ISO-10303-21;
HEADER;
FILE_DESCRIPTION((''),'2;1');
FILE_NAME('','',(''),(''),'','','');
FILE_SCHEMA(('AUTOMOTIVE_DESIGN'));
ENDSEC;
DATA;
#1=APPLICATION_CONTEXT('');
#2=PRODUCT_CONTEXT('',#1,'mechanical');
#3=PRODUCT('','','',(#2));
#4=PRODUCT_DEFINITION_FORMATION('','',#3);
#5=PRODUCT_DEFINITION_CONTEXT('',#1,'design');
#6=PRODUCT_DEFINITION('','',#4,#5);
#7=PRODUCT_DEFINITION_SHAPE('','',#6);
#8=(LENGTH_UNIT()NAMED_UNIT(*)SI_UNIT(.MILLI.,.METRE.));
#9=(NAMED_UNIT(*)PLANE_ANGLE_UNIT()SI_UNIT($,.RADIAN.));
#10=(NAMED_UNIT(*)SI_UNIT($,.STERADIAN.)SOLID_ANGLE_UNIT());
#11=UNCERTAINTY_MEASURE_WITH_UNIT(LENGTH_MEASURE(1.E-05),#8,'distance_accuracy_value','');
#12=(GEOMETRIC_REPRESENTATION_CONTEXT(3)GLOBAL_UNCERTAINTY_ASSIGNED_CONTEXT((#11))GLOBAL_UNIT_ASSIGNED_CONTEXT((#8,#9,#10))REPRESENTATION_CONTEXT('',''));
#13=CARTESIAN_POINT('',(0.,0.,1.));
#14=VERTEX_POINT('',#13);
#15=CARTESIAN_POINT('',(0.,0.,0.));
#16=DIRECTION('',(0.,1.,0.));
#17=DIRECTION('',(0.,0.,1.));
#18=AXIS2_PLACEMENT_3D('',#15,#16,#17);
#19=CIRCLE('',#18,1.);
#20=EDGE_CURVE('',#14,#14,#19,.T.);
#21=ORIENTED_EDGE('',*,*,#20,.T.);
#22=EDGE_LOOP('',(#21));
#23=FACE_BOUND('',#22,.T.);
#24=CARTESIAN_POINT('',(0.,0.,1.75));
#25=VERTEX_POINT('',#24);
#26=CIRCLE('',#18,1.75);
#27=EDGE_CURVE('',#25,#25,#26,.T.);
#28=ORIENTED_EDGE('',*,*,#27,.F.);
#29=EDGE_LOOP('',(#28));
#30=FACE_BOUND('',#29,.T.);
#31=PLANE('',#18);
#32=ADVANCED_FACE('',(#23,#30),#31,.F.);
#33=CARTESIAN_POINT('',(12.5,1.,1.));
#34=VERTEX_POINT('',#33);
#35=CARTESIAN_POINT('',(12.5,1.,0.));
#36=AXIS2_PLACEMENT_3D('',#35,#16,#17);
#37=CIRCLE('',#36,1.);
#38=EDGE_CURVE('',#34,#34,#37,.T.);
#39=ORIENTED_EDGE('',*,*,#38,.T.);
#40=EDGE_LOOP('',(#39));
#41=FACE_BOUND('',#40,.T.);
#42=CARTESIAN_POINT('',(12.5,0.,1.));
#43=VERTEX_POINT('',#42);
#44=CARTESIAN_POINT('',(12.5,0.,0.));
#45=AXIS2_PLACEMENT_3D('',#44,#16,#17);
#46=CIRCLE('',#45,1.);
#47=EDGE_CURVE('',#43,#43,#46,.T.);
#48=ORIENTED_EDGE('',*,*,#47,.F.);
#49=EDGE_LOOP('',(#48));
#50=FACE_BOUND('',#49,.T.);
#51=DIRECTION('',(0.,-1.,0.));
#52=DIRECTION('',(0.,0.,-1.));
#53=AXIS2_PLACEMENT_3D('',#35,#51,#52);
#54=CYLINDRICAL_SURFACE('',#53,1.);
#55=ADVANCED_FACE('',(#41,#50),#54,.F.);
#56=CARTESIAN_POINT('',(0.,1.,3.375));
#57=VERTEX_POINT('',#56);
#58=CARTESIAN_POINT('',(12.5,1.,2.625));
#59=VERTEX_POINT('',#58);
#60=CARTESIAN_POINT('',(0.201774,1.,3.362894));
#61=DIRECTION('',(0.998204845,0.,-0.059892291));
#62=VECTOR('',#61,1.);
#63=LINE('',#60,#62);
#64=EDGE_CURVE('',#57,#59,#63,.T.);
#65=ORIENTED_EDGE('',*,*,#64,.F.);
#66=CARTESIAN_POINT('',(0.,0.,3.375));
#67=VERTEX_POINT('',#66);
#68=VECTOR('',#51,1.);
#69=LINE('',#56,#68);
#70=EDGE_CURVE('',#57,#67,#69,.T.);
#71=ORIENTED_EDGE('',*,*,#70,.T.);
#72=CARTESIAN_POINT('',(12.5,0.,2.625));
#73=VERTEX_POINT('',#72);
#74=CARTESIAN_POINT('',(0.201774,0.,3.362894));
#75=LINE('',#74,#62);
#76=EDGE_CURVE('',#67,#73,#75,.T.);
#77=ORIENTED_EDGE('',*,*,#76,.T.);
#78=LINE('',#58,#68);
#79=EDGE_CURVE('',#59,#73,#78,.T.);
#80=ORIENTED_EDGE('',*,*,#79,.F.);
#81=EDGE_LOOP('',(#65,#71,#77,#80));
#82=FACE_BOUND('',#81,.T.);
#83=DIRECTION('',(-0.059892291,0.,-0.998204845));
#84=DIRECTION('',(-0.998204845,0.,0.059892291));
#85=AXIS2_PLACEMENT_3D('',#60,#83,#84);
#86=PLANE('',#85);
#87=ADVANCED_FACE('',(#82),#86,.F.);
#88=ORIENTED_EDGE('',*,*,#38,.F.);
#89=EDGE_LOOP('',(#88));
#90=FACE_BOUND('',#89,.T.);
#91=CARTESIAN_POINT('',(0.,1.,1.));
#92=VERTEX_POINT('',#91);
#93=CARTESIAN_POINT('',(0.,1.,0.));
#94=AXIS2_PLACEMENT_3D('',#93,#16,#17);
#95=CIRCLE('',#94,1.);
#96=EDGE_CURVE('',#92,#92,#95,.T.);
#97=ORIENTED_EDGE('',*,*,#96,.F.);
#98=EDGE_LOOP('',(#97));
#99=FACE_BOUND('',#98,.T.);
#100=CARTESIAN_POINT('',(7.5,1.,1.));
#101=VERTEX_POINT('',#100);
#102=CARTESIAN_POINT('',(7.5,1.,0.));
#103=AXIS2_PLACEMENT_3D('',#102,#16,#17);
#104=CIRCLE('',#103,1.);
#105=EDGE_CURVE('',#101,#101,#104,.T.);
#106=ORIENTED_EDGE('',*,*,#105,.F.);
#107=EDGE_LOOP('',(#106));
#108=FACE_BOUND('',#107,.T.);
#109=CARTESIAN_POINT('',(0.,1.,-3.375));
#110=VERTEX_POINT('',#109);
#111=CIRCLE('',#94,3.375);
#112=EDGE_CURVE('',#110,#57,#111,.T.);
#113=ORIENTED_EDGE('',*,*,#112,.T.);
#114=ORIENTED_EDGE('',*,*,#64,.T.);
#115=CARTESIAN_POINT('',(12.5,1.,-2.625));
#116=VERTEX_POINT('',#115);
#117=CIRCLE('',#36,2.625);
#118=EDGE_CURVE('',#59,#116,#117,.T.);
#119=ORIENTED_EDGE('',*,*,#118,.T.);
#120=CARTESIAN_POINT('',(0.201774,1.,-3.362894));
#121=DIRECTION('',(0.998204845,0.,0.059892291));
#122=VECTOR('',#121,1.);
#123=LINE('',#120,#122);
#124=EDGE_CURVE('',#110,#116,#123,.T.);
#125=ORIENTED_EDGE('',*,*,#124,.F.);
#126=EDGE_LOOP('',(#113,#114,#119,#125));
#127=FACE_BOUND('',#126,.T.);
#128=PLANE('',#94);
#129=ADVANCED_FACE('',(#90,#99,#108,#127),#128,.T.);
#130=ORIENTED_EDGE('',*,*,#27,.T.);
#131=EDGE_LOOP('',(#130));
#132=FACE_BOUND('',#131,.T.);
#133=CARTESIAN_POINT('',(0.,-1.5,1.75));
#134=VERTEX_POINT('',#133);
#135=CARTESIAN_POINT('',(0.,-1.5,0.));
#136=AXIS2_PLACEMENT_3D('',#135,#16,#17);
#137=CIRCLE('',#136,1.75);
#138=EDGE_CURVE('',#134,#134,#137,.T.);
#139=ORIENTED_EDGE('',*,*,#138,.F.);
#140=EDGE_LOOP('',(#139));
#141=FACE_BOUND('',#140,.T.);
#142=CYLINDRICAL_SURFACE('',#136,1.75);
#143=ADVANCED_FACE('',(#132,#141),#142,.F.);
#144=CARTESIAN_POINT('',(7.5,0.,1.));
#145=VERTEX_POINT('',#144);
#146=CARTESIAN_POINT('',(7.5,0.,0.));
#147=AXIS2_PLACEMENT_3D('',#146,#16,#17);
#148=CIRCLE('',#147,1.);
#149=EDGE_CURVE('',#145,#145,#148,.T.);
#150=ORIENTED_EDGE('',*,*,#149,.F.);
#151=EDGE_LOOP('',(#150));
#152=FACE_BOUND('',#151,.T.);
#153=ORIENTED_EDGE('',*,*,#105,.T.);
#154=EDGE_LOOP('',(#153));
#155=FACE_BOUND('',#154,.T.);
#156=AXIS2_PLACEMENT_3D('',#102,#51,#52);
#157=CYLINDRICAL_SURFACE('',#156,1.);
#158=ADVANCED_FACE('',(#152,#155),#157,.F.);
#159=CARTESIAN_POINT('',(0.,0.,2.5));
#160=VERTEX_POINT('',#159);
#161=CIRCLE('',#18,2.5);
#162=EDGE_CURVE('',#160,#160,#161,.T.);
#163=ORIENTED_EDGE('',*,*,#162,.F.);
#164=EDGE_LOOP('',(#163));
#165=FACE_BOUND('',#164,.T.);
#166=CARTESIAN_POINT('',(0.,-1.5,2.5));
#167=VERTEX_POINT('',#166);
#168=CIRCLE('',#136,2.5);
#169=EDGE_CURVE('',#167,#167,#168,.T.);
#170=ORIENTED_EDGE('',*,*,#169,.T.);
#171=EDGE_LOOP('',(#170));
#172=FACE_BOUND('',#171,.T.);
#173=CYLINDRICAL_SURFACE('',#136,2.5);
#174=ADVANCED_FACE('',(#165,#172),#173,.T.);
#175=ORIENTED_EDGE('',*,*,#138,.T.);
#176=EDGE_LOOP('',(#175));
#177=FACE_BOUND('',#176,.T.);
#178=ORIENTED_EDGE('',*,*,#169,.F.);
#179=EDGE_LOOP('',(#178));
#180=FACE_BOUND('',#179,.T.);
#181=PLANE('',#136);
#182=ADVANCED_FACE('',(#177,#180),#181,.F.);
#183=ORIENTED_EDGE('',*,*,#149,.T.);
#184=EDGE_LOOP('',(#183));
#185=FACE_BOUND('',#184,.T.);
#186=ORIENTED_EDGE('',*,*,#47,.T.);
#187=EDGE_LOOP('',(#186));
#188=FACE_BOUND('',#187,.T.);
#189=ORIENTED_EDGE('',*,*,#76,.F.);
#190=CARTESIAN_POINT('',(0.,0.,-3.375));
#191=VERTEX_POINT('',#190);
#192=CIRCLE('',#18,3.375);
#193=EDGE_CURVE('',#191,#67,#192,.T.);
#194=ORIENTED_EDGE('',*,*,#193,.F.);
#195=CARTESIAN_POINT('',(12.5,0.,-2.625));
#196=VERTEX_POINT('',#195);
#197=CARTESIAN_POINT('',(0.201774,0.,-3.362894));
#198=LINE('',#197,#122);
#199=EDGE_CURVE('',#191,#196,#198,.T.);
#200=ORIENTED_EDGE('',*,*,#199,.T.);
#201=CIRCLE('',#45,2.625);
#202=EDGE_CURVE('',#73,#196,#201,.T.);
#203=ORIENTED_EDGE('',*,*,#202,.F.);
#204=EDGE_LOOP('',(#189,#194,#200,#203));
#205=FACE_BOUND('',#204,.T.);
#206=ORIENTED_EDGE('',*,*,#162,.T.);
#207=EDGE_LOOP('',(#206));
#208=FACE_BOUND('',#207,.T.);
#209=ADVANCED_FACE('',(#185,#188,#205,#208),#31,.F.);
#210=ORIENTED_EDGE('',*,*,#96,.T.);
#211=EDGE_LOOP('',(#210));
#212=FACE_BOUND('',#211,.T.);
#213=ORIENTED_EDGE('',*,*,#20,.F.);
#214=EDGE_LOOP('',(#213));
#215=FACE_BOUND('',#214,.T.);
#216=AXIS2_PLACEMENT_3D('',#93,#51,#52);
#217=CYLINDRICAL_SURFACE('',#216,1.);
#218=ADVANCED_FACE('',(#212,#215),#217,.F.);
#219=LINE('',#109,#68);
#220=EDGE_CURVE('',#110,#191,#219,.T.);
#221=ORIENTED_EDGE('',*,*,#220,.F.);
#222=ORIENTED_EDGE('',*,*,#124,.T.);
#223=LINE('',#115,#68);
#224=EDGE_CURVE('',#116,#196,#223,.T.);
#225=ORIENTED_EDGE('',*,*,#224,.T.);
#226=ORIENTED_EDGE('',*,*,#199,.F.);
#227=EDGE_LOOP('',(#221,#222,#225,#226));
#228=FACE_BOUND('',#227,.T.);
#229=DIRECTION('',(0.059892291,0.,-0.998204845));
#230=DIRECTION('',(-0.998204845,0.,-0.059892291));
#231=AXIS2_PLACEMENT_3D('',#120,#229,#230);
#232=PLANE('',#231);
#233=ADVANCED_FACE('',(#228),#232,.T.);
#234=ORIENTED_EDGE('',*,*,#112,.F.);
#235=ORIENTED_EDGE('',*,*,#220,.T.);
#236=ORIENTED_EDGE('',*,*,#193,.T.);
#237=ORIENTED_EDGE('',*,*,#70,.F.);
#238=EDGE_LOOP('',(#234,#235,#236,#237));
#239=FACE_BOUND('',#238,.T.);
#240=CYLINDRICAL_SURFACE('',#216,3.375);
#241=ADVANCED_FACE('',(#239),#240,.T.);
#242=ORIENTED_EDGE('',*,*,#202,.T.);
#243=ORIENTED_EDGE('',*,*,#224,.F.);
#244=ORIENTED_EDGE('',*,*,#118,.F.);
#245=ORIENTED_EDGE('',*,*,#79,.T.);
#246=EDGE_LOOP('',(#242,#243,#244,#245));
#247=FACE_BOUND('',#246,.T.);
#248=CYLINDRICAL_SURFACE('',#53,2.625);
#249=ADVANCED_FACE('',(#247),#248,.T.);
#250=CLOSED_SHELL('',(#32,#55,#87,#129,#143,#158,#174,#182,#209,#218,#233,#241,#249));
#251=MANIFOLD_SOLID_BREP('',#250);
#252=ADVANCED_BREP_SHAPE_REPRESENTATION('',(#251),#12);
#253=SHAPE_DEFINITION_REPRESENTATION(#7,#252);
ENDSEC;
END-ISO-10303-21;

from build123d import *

# Parameters (mm, degrees)
SKETCH_2_R      = 1
EXTRUDE_1_DEPTH = 1
SKETCH_3_R      = 2.5
SKETCH_3_R_2    = 1.75
EXTRUDE_2_DEPTH = 1.5


with BuildPart() as part:
    # 草图2 → 凸台-拉伸1 (new body)
    with BuildSketch(Plane(origin=(0, 0, 0), x_dir=(1, 0, 0), z_dir=(0, 1, 0))):
        with BuildLine():
            Line((0.40354723, 3.350787166), (0, 3.375))
            ThreePointArc((0, 3.375), (-3.375, 0), (0, -3.375))
            Line((0, -3.375), (0.40354723, -3.350787166))
            Line((0.40354723, -3.350787166), (12.5, -2.625))
            ThreePointArc((12.5, -2.625), (15.125, 0), (12.5, 2.625))
            Line((12.5, 2.625), (0.40354723, 3.350787166))
        make_face()
        with Locations(Location((0, 0, 0), (0, 0, 270))):
            Circle(SKETCH_2_R, mode=Mode.SUBTRACT)
        with Locations(Location((7.5, 0, 0), (0, 0, 270))):
            Circle(SKETCH_2_R, mode=Mode.SUBTRACT)
        with Locations(Location((12.5, 0, 0), (0, 0, 270))):
            Circle(SKETCH_2_R, mode=Mode.SUBTRACT)
    extrude(amount=EXTRUDE_1_DEPTH)

    # 草图3 → 凸台-拉伸2 (add)
    with BuildSketch(Plane(origin=(0, 0, 0), x_dir=(1, 0, 0), z_dir=(0, 1, 0))):
        with Locations(Location((0, 0, 0), (0, 0, 270))):
            Circle(SKETCH_3_R)
        with Locations(Location((0, 0, 0), (0, 0, 270))):
            Circle(SKETCH_3_R_2, mode=Mode.SUBTRACT)
    extrude(amount=-EXTRUDE_2_DEPTH)


solid = part.part
